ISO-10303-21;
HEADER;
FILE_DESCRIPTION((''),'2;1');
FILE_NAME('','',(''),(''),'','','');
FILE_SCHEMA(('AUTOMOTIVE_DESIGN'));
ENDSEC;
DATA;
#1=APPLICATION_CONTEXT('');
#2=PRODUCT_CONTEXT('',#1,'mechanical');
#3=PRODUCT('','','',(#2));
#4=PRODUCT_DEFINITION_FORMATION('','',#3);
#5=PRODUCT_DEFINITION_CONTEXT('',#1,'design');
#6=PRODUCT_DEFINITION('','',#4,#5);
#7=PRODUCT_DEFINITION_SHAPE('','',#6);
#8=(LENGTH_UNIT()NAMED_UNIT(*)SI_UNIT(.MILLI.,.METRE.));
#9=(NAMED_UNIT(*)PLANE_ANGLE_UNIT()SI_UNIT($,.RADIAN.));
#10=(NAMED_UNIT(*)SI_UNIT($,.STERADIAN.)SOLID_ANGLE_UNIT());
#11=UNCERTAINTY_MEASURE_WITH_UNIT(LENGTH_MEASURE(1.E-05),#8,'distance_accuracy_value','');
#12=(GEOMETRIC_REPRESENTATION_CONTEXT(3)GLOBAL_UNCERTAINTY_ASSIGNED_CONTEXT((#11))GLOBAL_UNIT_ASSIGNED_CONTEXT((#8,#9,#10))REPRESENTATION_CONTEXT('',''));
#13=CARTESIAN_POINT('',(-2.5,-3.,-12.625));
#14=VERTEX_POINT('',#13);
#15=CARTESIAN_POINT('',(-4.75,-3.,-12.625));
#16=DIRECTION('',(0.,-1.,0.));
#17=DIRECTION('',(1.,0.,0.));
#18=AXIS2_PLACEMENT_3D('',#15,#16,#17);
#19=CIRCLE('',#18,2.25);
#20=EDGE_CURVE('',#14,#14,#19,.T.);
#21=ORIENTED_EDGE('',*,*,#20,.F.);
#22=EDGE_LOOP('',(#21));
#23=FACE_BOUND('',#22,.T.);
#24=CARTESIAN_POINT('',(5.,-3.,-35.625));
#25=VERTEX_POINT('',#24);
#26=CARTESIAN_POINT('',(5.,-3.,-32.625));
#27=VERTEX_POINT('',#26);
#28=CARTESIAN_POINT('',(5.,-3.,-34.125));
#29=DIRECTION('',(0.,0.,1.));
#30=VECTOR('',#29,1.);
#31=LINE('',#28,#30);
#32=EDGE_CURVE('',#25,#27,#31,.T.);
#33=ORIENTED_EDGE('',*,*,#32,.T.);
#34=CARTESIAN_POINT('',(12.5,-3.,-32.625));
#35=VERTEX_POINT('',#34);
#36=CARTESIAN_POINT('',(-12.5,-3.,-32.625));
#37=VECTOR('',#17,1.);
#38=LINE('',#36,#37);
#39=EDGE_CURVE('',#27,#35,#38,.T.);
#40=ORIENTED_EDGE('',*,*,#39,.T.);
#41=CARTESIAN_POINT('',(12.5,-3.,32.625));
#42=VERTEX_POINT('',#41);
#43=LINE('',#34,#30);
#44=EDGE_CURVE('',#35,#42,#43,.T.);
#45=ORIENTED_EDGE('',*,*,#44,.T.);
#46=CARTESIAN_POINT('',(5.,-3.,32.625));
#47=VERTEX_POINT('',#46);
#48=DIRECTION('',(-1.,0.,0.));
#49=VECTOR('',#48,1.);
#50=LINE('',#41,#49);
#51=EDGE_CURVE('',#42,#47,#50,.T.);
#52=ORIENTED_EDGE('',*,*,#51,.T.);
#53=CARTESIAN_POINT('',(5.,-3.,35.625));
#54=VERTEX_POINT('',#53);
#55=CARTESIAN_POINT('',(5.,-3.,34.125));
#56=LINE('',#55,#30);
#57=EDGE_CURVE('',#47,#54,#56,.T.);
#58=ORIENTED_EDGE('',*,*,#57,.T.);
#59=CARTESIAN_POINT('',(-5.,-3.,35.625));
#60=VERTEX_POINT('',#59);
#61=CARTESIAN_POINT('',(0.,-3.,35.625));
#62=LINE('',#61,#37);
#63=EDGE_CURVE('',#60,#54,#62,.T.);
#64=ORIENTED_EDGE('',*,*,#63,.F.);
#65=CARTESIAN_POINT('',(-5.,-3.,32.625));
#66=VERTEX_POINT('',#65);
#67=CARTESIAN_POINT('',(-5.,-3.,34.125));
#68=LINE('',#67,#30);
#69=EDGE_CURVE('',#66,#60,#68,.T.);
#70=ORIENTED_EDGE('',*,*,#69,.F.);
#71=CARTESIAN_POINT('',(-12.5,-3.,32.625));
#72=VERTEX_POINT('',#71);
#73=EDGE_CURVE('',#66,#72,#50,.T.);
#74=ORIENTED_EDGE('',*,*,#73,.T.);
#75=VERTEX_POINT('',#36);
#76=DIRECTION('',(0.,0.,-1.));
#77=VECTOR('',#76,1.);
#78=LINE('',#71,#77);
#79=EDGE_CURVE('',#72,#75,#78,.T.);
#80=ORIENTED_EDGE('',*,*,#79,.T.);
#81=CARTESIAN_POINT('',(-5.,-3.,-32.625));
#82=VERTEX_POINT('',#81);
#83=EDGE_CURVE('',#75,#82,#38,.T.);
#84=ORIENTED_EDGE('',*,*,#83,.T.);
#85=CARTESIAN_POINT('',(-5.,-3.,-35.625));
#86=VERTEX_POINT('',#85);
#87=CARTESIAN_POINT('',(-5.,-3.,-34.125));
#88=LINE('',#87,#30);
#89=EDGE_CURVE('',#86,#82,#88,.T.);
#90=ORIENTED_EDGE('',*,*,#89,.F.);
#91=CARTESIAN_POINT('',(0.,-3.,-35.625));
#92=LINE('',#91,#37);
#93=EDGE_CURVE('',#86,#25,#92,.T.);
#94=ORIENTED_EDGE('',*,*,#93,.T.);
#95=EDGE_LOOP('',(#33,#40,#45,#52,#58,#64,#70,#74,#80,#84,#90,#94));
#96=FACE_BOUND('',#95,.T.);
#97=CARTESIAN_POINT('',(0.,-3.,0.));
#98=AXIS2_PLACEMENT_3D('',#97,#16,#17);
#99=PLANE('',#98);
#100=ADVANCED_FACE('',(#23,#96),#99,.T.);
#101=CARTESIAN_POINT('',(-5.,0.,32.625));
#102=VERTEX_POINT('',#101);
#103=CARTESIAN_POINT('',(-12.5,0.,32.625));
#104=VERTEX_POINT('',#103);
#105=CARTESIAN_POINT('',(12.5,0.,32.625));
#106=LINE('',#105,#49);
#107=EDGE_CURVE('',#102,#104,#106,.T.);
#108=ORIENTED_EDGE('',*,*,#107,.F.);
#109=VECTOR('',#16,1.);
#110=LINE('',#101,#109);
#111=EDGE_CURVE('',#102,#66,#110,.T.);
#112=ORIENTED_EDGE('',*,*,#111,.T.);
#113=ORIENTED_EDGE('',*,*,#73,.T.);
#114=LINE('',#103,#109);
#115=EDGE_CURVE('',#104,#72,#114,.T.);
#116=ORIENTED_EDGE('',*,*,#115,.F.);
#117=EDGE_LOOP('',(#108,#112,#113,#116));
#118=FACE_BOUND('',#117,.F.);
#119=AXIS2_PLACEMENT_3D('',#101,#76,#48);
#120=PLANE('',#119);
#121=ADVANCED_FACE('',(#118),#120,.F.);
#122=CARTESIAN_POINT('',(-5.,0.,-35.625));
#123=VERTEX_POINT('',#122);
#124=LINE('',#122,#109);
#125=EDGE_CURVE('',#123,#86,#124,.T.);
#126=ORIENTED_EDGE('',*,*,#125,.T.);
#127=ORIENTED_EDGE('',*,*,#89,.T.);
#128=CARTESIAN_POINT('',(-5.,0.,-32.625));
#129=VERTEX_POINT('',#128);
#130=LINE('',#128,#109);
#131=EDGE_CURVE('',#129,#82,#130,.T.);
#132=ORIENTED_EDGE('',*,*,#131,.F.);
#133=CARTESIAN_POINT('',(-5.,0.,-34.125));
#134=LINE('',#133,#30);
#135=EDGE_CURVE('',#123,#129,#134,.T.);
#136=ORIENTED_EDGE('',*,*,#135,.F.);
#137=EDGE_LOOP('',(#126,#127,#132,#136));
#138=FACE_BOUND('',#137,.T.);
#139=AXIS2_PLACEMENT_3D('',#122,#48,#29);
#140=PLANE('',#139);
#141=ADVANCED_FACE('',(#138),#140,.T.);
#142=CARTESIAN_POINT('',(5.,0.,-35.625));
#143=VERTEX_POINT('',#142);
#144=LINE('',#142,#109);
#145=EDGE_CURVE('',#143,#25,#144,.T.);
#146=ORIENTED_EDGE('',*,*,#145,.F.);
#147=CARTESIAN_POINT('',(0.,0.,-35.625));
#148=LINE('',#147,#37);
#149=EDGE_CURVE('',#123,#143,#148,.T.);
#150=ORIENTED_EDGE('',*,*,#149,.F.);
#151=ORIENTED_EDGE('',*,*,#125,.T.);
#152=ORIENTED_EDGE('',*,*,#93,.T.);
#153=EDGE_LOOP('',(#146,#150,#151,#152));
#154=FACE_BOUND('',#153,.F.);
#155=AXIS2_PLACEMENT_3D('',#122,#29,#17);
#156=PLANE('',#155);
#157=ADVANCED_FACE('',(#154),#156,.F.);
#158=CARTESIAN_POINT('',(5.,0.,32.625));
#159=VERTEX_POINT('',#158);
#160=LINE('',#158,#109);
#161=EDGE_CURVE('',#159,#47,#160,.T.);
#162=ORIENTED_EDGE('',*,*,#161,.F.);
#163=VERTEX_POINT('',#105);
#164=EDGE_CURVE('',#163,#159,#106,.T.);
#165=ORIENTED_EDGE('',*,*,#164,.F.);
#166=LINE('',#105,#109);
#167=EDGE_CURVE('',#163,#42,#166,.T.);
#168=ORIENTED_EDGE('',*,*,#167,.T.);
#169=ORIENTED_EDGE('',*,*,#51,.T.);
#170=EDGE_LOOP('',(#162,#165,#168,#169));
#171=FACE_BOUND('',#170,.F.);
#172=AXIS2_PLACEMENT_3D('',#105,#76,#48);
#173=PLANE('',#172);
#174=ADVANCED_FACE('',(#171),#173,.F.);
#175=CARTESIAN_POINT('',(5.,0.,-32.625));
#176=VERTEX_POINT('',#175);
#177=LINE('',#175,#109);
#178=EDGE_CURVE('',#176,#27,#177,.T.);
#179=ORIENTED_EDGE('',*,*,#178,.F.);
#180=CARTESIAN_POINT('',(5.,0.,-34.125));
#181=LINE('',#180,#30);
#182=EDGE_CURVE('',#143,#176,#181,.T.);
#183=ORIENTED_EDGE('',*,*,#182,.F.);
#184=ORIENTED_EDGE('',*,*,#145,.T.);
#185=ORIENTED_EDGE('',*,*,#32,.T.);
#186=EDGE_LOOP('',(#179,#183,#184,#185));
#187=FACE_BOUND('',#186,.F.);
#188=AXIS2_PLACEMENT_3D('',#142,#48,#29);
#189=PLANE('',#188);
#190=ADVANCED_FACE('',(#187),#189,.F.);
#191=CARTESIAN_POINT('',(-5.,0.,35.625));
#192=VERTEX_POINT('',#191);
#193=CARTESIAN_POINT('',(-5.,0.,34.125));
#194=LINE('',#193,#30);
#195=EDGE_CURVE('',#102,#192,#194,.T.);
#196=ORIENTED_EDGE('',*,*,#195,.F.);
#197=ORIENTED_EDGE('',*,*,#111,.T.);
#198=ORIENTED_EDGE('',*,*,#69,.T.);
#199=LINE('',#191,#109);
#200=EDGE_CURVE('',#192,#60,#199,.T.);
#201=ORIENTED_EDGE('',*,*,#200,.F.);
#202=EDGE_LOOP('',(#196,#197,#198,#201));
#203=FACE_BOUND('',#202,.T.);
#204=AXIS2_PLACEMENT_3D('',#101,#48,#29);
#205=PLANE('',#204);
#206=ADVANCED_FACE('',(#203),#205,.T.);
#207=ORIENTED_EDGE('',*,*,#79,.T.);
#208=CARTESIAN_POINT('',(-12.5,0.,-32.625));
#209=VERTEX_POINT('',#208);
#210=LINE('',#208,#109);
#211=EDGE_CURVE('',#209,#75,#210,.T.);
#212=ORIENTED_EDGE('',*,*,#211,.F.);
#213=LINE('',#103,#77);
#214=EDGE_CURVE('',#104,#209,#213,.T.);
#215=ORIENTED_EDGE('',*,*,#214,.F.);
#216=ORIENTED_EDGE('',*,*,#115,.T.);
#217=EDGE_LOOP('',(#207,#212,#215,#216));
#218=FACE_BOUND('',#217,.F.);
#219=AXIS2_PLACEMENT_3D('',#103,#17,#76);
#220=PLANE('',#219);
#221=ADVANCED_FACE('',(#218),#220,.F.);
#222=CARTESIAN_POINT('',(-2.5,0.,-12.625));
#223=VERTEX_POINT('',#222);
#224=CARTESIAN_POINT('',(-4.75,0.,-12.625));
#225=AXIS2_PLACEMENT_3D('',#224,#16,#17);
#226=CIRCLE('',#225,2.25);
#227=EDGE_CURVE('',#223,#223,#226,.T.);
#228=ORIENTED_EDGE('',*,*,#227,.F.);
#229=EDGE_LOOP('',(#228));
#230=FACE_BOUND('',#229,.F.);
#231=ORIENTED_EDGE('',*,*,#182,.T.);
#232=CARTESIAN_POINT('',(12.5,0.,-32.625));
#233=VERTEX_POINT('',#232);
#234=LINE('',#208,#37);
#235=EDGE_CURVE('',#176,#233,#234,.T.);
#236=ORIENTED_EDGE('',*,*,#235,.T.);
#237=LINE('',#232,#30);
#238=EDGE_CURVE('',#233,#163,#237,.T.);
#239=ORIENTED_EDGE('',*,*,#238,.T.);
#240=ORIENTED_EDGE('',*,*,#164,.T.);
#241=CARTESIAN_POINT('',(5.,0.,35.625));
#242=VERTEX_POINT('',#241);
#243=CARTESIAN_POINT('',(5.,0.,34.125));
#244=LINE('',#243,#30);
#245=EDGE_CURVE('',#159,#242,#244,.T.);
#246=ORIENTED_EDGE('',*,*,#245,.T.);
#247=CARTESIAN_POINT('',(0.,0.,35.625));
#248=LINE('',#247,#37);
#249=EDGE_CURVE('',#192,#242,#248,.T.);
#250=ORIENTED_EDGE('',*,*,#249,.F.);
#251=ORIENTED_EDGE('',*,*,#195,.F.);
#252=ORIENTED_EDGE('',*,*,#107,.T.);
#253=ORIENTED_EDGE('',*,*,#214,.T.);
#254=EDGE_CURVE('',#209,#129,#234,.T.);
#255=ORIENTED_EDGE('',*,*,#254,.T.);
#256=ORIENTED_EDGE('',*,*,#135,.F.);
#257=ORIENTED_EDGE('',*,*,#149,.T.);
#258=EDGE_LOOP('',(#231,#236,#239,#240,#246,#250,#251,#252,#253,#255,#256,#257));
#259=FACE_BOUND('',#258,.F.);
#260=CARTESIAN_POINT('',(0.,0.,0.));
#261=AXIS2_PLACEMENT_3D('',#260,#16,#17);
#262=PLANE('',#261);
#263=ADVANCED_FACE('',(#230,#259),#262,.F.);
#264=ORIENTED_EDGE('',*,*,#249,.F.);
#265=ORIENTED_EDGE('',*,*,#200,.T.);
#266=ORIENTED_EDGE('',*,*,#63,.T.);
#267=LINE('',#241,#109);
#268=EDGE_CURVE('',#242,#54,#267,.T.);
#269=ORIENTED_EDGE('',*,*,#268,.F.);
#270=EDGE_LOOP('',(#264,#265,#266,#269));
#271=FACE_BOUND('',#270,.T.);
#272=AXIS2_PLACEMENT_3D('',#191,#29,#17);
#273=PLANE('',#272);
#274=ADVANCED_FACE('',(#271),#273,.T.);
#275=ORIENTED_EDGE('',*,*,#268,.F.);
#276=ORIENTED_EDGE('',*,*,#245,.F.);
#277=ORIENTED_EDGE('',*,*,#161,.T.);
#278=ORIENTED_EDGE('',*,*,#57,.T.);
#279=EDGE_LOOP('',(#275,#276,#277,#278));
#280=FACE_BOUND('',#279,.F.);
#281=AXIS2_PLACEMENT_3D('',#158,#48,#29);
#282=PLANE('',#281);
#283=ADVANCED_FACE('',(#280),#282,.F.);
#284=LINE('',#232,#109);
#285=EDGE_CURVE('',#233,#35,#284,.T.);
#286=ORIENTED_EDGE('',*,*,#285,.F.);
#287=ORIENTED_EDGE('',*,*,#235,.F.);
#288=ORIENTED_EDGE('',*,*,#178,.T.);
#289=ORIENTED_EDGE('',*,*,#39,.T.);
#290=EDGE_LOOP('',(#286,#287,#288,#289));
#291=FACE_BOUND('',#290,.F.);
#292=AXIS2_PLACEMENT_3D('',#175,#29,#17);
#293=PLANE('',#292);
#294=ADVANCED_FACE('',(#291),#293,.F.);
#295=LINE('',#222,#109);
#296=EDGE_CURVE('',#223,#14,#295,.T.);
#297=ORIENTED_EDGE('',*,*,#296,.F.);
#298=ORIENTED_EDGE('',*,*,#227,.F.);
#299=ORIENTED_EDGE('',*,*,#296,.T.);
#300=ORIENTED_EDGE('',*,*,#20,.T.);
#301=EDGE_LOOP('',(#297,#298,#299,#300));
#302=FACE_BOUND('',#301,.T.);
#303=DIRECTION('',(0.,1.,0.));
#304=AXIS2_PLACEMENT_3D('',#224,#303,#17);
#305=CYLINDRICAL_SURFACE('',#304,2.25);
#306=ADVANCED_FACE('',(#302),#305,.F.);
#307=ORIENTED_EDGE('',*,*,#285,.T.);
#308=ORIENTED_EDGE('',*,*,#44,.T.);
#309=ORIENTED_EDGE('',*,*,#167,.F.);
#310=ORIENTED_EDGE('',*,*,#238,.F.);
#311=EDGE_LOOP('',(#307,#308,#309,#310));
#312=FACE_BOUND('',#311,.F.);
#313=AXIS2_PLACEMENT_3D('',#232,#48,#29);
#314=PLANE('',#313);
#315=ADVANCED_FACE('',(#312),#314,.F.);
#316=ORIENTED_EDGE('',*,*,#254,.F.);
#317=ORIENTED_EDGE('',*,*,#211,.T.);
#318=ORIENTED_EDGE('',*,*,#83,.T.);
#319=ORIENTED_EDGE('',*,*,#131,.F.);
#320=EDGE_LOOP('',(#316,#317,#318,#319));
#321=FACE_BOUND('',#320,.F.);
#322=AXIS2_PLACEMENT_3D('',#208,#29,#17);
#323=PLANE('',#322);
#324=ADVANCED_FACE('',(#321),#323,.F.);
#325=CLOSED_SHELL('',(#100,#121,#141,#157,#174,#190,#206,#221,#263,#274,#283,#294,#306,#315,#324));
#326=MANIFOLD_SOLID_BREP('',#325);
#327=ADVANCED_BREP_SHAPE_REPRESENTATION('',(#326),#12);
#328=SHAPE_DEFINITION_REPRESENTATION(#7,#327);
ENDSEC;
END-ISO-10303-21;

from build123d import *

# Parameters (mm, degrees)
F0_R     = 2.25
F0_W     = 10
F0_H     = 3
F1_DEPTH = 3


with BuildPart() as f1:
    # F0 (on Front) → F1 (new body)
    with BuildSketch(Plane.XZ):
        Polygon((5, -32.625), (12.5, -32.625), (12.5, 32.625), (5, 32.625), (-5, 32.625), (-12.5, 32.625), (-12.5, -32.625), (-5, -32.625), align=None)
        with Locations((-4.75, -12.625)):
            Circle(F0_R, mode=Mode.SUBTRACT)
        with Locations((0, -34.125)):
            Rectangle(F0_W, F0_H)
        with Locations((0, 34.125)):
            Rectangle(F0_W, F0_H)
    extrude(amount=F1_DEPTH)


solid = f1.part
